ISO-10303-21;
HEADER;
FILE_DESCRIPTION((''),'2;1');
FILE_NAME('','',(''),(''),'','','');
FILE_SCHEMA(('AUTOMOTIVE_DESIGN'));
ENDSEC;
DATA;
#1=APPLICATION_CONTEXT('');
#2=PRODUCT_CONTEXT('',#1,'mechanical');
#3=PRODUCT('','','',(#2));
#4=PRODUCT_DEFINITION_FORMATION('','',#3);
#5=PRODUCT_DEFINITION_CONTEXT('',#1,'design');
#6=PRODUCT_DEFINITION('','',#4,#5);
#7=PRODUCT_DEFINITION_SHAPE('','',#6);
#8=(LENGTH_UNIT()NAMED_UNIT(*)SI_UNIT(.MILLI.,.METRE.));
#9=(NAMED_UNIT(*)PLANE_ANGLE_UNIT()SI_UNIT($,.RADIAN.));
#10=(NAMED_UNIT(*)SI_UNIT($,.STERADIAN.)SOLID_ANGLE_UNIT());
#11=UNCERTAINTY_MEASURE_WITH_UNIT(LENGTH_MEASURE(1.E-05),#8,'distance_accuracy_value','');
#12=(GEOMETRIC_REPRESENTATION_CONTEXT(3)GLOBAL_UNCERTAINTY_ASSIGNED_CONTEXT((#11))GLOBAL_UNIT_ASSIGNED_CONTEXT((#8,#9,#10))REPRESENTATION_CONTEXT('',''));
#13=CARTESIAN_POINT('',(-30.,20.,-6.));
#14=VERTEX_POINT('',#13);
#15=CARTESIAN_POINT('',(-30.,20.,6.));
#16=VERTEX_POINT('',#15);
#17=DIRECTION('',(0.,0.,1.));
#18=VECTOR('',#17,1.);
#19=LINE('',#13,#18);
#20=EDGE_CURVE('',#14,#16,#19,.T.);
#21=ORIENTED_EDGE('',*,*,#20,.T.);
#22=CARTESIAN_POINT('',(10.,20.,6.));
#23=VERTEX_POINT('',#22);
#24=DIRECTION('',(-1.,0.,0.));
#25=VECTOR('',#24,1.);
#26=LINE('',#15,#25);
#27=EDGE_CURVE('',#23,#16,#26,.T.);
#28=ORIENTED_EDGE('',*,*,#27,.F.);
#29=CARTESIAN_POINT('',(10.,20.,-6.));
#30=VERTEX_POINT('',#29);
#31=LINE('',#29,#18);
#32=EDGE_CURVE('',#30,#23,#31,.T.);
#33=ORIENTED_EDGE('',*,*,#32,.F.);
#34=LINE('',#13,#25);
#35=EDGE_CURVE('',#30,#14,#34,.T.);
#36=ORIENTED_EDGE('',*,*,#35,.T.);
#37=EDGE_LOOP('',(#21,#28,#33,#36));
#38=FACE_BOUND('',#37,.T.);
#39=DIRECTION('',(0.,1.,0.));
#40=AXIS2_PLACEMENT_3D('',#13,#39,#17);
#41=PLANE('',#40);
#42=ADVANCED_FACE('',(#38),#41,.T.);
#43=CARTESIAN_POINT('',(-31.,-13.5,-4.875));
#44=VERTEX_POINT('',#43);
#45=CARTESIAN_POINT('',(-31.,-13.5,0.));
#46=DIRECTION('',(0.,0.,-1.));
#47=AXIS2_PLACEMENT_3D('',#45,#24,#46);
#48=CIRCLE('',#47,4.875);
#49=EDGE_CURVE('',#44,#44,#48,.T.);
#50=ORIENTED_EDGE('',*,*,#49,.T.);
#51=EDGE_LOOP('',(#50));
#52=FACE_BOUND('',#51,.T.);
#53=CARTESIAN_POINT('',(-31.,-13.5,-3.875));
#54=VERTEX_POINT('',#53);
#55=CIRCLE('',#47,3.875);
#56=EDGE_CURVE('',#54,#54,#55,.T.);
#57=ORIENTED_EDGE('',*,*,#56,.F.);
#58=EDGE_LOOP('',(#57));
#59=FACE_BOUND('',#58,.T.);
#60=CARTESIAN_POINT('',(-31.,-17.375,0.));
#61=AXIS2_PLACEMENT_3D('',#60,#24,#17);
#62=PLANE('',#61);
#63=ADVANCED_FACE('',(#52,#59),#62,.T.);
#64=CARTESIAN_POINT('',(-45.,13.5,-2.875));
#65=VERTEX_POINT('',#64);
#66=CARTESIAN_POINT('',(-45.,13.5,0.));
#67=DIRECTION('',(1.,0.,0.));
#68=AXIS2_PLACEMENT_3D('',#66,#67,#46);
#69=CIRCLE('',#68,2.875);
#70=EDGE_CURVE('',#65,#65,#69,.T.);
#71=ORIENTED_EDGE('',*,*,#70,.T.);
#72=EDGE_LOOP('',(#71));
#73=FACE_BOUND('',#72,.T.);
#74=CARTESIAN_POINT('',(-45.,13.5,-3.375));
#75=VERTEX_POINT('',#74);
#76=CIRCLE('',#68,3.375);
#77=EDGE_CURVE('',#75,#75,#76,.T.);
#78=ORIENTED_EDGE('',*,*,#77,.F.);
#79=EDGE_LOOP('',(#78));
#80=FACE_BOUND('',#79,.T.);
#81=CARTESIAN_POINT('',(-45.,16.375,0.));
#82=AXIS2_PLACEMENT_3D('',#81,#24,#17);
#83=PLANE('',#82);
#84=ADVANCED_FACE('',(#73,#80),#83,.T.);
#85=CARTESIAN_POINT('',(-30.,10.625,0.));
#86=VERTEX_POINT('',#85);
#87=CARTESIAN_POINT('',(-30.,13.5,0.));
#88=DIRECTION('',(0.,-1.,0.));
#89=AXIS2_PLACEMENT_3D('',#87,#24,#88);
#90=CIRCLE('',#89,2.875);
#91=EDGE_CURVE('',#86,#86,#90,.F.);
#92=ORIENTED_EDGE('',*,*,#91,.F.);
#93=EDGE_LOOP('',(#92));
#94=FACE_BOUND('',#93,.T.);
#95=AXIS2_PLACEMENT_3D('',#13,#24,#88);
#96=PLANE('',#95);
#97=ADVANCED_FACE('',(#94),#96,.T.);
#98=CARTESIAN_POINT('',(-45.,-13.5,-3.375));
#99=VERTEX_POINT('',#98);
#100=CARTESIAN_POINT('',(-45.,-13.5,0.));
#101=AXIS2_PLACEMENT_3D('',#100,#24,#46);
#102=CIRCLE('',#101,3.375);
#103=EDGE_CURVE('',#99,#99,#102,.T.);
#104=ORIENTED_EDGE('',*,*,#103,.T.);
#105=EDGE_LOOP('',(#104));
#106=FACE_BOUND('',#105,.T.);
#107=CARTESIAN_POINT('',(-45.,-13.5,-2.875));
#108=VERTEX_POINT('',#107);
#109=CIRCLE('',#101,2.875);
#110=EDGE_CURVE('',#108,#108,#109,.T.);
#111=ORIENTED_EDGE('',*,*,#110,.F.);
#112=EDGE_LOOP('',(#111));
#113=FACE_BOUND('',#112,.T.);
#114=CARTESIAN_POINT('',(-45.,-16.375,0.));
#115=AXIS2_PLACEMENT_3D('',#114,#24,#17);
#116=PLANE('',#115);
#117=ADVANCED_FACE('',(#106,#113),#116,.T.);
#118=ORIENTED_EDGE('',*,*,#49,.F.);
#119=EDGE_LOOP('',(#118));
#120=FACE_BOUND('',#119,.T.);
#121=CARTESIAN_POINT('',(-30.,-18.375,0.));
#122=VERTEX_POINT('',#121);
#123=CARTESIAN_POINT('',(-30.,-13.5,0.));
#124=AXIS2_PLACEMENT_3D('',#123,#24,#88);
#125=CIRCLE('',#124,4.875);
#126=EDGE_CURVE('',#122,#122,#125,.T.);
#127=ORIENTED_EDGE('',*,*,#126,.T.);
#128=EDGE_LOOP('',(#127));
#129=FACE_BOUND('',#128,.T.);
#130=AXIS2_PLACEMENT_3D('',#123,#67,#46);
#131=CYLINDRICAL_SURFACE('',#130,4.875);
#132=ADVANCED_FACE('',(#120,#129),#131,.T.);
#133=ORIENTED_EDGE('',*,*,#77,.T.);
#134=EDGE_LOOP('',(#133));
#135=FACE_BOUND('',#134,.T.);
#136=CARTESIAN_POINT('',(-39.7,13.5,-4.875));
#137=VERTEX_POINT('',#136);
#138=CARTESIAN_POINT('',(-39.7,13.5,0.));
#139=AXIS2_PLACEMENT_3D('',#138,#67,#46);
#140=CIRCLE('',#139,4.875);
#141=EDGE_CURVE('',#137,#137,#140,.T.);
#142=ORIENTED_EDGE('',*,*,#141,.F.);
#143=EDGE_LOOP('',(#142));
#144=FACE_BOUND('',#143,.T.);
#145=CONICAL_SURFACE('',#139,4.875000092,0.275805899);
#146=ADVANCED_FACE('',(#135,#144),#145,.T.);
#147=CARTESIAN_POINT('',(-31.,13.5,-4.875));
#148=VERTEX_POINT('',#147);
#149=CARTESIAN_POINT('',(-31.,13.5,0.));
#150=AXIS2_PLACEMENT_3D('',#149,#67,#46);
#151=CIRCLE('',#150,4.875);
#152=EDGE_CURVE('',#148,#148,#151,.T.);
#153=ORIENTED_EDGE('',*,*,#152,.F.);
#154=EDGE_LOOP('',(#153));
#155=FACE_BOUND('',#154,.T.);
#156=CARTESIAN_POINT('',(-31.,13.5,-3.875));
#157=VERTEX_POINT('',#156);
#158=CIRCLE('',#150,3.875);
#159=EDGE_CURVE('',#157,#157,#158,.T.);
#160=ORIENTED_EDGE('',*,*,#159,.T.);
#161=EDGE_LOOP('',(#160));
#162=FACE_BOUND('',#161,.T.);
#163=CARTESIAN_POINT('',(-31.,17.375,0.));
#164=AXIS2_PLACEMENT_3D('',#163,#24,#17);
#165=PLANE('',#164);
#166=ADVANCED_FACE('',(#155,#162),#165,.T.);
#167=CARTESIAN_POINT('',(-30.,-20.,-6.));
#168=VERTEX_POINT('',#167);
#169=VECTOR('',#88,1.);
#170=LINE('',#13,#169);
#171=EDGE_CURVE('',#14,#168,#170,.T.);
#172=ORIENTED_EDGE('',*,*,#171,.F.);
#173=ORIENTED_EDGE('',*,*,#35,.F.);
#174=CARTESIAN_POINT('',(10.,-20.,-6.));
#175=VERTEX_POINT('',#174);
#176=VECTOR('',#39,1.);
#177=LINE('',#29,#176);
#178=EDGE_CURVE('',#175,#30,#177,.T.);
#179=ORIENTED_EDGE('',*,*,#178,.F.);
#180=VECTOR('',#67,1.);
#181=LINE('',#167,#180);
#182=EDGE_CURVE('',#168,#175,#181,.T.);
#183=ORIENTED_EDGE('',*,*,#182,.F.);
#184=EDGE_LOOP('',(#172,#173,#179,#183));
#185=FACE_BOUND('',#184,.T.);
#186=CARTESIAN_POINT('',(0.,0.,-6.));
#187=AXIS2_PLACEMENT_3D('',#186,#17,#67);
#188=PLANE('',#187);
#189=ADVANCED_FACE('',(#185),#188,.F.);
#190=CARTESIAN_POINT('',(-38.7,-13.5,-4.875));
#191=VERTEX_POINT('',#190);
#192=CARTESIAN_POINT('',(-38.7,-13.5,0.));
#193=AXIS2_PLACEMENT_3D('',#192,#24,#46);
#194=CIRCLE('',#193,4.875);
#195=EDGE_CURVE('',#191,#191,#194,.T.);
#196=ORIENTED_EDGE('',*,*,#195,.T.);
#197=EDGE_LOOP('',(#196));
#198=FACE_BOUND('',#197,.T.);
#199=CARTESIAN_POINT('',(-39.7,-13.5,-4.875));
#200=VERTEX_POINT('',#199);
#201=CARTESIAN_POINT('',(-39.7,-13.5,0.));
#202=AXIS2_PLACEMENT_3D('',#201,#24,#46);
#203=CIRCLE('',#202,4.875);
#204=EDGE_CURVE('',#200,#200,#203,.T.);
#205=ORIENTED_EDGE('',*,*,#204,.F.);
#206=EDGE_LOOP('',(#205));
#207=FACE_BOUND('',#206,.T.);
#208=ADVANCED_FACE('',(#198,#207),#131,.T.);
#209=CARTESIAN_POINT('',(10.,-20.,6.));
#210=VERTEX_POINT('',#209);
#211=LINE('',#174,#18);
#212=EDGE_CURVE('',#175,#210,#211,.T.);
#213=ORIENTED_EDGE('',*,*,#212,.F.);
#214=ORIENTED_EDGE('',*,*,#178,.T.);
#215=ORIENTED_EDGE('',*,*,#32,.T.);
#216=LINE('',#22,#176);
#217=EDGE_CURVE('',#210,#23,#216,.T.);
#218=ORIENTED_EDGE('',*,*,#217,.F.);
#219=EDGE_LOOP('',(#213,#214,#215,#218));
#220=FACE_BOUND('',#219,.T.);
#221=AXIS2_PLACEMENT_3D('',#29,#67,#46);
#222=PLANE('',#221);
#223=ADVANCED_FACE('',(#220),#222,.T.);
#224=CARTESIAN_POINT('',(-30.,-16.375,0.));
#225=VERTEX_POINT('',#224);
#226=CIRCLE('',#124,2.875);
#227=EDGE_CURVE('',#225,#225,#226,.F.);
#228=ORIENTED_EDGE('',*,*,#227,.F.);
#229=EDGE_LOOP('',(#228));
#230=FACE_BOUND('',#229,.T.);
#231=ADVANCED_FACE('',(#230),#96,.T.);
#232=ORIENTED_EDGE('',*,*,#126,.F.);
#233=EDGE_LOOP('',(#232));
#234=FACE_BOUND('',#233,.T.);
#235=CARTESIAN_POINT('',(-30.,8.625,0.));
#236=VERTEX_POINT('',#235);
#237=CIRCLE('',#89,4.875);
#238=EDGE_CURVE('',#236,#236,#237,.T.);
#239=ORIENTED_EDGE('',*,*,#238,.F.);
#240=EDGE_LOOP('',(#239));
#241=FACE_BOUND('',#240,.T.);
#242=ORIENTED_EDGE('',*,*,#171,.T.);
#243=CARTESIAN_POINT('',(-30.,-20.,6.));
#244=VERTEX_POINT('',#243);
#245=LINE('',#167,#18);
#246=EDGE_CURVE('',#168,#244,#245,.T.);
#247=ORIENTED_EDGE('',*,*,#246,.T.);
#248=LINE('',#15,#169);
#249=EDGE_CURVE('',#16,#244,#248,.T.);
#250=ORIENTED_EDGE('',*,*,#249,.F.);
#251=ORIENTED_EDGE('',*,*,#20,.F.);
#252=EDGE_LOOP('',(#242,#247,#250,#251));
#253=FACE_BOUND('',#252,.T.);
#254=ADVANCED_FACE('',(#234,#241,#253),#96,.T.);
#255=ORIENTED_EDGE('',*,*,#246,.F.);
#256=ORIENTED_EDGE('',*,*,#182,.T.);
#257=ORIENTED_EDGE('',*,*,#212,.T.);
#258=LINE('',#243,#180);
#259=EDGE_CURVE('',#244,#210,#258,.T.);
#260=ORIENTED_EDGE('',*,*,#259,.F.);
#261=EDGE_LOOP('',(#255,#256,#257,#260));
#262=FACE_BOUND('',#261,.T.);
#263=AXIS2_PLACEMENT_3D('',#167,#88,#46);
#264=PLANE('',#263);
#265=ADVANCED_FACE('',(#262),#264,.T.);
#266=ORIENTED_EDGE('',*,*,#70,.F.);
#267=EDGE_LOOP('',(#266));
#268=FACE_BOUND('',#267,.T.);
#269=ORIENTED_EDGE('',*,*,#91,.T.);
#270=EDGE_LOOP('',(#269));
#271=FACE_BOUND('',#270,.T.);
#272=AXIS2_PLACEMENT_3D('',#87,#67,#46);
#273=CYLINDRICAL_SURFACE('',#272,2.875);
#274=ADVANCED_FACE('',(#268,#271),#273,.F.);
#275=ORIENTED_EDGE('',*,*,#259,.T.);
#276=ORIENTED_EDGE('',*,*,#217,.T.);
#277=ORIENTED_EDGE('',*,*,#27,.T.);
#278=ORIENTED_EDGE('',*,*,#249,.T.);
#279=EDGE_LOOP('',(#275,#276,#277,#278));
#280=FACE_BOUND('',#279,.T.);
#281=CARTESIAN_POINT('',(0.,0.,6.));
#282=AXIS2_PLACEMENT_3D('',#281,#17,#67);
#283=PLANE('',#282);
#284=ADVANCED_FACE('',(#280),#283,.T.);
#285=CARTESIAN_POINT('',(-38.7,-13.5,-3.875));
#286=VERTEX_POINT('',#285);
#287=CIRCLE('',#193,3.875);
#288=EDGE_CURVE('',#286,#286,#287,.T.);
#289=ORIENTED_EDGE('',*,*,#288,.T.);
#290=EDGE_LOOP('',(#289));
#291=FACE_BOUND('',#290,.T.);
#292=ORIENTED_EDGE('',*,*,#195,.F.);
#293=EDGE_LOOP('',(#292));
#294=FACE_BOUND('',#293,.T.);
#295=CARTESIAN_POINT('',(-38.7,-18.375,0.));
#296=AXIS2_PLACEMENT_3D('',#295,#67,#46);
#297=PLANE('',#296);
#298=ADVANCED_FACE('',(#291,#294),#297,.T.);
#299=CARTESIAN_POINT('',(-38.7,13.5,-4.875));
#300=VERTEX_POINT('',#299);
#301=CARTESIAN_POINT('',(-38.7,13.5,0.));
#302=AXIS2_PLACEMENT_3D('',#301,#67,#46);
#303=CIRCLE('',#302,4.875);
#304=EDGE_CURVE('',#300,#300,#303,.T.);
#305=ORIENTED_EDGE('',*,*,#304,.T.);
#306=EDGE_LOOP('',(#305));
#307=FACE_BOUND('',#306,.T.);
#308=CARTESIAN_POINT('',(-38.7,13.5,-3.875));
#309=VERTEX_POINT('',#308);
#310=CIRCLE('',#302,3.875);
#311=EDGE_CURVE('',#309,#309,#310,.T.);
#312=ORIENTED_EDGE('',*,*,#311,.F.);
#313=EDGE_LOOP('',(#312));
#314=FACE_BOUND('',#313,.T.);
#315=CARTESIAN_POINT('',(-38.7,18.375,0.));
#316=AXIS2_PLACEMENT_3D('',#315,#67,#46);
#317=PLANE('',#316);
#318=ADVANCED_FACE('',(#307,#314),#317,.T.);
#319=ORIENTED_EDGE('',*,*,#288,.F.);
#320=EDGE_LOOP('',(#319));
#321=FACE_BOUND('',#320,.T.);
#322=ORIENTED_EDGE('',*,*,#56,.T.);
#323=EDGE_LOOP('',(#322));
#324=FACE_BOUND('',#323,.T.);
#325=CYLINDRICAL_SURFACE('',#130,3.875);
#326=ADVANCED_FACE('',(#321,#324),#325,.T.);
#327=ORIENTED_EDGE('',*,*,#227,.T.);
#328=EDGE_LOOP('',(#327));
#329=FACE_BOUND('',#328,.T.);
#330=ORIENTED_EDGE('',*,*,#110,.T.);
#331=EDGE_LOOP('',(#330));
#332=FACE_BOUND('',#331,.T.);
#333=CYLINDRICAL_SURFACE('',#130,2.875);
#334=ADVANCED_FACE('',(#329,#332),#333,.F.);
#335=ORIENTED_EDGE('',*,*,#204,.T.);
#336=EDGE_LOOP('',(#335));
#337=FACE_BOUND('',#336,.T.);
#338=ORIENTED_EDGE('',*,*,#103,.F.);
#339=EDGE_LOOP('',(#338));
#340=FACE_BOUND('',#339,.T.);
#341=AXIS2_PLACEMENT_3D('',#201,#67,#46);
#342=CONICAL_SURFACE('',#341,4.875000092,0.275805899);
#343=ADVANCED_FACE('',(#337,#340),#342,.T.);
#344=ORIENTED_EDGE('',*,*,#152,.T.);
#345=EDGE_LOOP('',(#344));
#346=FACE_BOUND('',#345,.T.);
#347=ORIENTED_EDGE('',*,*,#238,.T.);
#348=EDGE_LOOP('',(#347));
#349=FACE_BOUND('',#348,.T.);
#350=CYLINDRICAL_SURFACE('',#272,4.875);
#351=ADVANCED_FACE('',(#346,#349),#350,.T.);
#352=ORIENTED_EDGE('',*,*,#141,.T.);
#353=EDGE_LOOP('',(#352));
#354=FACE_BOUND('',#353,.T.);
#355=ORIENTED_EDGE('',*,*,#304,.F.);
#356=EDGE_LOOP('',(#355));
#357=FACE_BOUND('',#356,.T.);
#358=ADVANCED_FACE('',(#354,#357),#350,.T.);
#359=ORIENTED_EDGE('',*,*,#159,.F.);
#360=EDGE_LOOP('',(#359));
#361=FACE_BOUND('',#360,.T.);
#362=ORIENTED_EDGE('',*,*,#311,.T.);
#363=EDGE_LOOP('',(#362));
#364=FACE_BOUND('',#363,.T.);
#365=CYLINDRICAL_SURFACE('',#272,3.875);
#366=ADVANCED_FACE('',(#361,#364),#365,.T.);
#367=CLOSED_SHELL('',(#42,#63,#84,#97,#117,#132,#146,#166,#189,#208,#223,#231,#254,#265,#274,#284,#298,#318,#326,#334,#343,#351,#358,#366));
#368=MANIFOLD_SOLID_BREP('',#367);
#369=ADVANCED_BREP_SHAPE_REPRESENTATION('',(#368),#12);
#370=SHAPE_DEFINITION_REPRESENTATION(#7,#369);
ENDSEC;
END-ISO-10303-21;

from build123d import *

# Parameters (mm, degrees)
BOSS_EXTRUDE_BASE_DEPTH      = 6
BOSS_EXTRUDE_BASE_DEPTH_BACK = 6
BASE_W                       = 40.00000001
BASE_H                       = 40


with BuildPart() as part:
    # Base → Boss-Extrude Base (new, two sides: drawn at the far end of the back side and taken through both)
    with BuildSketch(Plane.XY.offset(-BOSS_EXTRUDE_BASE_DEPTH_BACK)):
        with Locations((-10, 0)):
            Rectangle(BASE_W, BASE_H)
    extrude(amount=BOSS_EXTRUDE_BASE_DEPTH + BOSS_EXTRUDE_BASE_DEPTH_BACK)

    # Port Profile → Revolve Port (revolve)
    with BuildSketch(Plane.XY):
        Polygon((-30.000000005, 16.375000092), (-45.000000005, 16.375000092), (-45.000000005, 16.875000092), (-39.700000005, 18.375000092), (-38.700000005, 18.375000092), (-38.700000005, 17.375000092), (-31.000000037, 17.375000092), (-31.000000037, 18.375000092), (-30.000000005, 18.375000092), align=None)
    revolve_port = revolve(axis=Axis((-30, 13.5, 0), (-1, 0, 0)))

    # Mirror Port: Revolve Port across plane
    add(revolve_port.mirror(Plane.ZX))


solid = part.part
